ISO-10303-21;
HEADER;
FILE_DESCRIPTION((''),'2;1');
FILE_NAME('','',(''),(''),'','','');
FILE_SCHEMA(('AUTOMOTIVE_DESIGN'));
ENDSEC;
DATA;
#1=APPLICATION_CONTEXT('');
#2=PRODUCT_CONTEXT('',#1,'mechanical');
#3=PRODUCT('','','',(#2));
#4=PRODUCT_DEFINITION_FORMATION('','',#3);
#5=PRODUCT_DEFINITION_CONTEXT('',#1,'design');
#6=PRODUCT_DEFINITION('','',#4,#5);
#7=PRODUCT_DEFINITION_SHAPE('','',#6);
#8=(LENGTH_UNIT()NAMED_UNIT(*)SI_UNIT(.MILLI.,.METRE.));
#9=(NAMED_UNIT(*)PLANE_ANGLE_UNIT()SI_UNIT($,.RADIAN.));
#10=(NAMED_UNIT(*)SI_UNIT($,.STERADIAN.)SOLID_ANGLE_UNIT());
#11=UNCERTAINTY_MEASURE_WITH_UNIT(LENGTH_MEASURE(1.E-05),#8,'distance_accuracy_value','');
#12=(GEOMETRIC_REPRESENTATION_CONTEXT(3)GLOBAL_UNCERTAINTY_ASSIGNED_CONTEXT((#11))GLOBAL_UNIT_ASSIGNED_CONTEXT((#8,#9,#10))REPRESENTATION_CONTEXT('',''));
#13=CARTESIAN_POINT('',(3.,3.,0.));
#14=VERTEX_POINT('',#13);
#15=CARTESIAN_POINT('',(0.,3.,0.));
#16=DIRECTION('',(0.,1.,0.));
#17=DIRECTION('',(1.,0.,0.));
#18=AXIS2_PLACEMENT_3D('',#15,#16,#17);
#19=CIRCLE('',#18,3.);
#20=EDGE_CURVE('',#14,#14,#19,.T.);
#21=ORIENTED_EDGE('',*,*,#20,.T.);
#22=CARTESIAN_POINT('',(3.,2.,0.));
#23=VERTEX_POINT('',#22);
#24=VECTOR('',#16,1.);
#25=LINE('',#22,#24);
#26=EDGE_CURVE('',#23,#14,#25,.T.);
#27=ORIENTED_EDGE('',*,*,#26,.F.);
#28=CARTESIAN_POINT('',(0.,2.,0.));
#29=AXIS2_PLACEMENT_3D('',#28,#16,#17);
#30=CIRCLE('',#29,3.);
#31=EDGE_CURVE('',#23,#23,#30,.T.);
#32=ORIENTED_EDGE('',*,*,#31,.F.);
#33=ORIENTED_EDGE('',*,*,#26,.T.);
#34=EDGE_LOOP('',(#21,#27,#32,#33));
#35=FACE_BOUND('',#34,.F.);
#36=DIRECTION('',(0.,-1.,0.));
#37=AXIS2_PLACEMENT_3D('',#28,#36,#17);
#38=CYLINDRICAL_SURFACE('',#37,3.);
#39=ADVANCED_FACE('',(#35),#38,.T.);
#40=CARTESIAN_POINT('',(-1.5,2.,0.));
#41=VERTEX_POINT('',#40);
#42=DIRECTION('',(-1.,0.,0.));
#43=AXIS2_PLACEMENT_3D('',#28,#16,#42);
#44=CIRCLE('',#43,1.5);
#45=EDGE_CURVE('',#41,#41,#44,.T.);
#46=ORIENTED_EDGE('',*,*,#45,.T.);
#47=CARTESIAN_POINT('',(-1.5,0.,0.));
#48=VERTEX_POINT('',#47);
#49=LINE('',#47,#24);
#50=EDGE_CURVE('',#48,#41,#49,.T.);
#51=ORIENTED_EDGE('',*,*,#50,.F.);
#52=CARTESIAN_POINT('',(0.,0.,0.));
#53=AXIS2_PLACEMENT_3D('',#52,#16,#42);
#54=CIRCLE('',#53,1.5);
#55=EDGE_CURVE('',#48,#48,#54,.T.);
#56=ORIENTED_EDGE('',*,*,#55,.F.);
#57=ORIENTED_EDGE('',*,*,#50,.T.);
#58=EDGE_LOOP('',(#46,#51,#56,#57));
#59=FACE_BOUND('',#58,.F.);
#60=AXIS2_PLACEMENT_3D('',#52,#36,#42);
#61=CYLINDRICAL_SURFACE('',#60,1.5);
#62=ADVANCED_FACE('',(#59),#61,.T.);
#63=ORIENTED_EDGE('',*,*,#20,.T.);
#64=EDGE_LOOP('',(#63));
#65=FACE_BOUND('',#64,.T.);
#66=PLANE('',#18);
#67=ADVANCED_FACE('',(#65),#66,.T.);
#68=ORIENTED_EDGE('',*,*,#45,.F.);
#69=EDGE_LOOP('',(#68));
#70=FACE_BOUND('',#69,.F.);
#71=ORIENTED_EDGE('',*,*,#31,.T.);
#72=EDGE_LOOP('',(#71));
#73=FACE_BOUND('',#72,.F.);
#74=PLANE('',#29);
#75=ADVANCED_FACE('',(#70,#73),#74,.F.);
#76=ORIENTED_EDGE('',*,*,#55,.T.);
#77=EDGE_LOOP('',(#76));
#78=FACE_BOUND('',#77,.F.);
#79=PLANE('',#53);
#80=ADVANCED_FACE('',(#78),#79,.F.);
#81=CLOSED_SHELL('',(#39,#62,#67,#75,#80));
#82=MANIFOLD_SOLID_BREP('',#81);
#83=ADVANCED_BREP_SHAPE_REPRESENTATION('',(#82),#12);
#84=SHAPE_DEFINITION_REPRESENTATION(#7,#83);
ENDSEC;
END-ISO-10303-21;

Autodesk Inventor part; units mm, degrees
ref_plane "YZ Plane" through (0, 0, 0) normal (1, 0, 0) x (0, 1, 0)
ref_plane "XZ Plane" through (0, 0, 0) normal (0, 1, 0) x (-1, 0, 0)
ref_plane "XY Plane" through (0, 0, 0) normal (0, 0, 1) x (1, 0, 0)
sketch "Sketch1" plane through (0, 0, 0) normal (0, 1, 0) x (-1, 0, 0)
  circle A0 centre (0, 0) radius 1.5
  dimension "d0" = 3
extrude "Extrusion1" add sketch "Sketch1" along normal blind 2
thread "Thread1" size "M3x0.5" class "6g" standard "ANSI Metric M Profile" length 1
sketch "Sketch2" plane through (0, 2, 0) normal (0, 1, 0) x (1, 0, 0)
  circle A0 centre (0, 0) radius 3
  dimension "d5" = 6
extrude "Extrusion2" add sketch "Sketch2" along normal blind 1
properties part number "customPin"
